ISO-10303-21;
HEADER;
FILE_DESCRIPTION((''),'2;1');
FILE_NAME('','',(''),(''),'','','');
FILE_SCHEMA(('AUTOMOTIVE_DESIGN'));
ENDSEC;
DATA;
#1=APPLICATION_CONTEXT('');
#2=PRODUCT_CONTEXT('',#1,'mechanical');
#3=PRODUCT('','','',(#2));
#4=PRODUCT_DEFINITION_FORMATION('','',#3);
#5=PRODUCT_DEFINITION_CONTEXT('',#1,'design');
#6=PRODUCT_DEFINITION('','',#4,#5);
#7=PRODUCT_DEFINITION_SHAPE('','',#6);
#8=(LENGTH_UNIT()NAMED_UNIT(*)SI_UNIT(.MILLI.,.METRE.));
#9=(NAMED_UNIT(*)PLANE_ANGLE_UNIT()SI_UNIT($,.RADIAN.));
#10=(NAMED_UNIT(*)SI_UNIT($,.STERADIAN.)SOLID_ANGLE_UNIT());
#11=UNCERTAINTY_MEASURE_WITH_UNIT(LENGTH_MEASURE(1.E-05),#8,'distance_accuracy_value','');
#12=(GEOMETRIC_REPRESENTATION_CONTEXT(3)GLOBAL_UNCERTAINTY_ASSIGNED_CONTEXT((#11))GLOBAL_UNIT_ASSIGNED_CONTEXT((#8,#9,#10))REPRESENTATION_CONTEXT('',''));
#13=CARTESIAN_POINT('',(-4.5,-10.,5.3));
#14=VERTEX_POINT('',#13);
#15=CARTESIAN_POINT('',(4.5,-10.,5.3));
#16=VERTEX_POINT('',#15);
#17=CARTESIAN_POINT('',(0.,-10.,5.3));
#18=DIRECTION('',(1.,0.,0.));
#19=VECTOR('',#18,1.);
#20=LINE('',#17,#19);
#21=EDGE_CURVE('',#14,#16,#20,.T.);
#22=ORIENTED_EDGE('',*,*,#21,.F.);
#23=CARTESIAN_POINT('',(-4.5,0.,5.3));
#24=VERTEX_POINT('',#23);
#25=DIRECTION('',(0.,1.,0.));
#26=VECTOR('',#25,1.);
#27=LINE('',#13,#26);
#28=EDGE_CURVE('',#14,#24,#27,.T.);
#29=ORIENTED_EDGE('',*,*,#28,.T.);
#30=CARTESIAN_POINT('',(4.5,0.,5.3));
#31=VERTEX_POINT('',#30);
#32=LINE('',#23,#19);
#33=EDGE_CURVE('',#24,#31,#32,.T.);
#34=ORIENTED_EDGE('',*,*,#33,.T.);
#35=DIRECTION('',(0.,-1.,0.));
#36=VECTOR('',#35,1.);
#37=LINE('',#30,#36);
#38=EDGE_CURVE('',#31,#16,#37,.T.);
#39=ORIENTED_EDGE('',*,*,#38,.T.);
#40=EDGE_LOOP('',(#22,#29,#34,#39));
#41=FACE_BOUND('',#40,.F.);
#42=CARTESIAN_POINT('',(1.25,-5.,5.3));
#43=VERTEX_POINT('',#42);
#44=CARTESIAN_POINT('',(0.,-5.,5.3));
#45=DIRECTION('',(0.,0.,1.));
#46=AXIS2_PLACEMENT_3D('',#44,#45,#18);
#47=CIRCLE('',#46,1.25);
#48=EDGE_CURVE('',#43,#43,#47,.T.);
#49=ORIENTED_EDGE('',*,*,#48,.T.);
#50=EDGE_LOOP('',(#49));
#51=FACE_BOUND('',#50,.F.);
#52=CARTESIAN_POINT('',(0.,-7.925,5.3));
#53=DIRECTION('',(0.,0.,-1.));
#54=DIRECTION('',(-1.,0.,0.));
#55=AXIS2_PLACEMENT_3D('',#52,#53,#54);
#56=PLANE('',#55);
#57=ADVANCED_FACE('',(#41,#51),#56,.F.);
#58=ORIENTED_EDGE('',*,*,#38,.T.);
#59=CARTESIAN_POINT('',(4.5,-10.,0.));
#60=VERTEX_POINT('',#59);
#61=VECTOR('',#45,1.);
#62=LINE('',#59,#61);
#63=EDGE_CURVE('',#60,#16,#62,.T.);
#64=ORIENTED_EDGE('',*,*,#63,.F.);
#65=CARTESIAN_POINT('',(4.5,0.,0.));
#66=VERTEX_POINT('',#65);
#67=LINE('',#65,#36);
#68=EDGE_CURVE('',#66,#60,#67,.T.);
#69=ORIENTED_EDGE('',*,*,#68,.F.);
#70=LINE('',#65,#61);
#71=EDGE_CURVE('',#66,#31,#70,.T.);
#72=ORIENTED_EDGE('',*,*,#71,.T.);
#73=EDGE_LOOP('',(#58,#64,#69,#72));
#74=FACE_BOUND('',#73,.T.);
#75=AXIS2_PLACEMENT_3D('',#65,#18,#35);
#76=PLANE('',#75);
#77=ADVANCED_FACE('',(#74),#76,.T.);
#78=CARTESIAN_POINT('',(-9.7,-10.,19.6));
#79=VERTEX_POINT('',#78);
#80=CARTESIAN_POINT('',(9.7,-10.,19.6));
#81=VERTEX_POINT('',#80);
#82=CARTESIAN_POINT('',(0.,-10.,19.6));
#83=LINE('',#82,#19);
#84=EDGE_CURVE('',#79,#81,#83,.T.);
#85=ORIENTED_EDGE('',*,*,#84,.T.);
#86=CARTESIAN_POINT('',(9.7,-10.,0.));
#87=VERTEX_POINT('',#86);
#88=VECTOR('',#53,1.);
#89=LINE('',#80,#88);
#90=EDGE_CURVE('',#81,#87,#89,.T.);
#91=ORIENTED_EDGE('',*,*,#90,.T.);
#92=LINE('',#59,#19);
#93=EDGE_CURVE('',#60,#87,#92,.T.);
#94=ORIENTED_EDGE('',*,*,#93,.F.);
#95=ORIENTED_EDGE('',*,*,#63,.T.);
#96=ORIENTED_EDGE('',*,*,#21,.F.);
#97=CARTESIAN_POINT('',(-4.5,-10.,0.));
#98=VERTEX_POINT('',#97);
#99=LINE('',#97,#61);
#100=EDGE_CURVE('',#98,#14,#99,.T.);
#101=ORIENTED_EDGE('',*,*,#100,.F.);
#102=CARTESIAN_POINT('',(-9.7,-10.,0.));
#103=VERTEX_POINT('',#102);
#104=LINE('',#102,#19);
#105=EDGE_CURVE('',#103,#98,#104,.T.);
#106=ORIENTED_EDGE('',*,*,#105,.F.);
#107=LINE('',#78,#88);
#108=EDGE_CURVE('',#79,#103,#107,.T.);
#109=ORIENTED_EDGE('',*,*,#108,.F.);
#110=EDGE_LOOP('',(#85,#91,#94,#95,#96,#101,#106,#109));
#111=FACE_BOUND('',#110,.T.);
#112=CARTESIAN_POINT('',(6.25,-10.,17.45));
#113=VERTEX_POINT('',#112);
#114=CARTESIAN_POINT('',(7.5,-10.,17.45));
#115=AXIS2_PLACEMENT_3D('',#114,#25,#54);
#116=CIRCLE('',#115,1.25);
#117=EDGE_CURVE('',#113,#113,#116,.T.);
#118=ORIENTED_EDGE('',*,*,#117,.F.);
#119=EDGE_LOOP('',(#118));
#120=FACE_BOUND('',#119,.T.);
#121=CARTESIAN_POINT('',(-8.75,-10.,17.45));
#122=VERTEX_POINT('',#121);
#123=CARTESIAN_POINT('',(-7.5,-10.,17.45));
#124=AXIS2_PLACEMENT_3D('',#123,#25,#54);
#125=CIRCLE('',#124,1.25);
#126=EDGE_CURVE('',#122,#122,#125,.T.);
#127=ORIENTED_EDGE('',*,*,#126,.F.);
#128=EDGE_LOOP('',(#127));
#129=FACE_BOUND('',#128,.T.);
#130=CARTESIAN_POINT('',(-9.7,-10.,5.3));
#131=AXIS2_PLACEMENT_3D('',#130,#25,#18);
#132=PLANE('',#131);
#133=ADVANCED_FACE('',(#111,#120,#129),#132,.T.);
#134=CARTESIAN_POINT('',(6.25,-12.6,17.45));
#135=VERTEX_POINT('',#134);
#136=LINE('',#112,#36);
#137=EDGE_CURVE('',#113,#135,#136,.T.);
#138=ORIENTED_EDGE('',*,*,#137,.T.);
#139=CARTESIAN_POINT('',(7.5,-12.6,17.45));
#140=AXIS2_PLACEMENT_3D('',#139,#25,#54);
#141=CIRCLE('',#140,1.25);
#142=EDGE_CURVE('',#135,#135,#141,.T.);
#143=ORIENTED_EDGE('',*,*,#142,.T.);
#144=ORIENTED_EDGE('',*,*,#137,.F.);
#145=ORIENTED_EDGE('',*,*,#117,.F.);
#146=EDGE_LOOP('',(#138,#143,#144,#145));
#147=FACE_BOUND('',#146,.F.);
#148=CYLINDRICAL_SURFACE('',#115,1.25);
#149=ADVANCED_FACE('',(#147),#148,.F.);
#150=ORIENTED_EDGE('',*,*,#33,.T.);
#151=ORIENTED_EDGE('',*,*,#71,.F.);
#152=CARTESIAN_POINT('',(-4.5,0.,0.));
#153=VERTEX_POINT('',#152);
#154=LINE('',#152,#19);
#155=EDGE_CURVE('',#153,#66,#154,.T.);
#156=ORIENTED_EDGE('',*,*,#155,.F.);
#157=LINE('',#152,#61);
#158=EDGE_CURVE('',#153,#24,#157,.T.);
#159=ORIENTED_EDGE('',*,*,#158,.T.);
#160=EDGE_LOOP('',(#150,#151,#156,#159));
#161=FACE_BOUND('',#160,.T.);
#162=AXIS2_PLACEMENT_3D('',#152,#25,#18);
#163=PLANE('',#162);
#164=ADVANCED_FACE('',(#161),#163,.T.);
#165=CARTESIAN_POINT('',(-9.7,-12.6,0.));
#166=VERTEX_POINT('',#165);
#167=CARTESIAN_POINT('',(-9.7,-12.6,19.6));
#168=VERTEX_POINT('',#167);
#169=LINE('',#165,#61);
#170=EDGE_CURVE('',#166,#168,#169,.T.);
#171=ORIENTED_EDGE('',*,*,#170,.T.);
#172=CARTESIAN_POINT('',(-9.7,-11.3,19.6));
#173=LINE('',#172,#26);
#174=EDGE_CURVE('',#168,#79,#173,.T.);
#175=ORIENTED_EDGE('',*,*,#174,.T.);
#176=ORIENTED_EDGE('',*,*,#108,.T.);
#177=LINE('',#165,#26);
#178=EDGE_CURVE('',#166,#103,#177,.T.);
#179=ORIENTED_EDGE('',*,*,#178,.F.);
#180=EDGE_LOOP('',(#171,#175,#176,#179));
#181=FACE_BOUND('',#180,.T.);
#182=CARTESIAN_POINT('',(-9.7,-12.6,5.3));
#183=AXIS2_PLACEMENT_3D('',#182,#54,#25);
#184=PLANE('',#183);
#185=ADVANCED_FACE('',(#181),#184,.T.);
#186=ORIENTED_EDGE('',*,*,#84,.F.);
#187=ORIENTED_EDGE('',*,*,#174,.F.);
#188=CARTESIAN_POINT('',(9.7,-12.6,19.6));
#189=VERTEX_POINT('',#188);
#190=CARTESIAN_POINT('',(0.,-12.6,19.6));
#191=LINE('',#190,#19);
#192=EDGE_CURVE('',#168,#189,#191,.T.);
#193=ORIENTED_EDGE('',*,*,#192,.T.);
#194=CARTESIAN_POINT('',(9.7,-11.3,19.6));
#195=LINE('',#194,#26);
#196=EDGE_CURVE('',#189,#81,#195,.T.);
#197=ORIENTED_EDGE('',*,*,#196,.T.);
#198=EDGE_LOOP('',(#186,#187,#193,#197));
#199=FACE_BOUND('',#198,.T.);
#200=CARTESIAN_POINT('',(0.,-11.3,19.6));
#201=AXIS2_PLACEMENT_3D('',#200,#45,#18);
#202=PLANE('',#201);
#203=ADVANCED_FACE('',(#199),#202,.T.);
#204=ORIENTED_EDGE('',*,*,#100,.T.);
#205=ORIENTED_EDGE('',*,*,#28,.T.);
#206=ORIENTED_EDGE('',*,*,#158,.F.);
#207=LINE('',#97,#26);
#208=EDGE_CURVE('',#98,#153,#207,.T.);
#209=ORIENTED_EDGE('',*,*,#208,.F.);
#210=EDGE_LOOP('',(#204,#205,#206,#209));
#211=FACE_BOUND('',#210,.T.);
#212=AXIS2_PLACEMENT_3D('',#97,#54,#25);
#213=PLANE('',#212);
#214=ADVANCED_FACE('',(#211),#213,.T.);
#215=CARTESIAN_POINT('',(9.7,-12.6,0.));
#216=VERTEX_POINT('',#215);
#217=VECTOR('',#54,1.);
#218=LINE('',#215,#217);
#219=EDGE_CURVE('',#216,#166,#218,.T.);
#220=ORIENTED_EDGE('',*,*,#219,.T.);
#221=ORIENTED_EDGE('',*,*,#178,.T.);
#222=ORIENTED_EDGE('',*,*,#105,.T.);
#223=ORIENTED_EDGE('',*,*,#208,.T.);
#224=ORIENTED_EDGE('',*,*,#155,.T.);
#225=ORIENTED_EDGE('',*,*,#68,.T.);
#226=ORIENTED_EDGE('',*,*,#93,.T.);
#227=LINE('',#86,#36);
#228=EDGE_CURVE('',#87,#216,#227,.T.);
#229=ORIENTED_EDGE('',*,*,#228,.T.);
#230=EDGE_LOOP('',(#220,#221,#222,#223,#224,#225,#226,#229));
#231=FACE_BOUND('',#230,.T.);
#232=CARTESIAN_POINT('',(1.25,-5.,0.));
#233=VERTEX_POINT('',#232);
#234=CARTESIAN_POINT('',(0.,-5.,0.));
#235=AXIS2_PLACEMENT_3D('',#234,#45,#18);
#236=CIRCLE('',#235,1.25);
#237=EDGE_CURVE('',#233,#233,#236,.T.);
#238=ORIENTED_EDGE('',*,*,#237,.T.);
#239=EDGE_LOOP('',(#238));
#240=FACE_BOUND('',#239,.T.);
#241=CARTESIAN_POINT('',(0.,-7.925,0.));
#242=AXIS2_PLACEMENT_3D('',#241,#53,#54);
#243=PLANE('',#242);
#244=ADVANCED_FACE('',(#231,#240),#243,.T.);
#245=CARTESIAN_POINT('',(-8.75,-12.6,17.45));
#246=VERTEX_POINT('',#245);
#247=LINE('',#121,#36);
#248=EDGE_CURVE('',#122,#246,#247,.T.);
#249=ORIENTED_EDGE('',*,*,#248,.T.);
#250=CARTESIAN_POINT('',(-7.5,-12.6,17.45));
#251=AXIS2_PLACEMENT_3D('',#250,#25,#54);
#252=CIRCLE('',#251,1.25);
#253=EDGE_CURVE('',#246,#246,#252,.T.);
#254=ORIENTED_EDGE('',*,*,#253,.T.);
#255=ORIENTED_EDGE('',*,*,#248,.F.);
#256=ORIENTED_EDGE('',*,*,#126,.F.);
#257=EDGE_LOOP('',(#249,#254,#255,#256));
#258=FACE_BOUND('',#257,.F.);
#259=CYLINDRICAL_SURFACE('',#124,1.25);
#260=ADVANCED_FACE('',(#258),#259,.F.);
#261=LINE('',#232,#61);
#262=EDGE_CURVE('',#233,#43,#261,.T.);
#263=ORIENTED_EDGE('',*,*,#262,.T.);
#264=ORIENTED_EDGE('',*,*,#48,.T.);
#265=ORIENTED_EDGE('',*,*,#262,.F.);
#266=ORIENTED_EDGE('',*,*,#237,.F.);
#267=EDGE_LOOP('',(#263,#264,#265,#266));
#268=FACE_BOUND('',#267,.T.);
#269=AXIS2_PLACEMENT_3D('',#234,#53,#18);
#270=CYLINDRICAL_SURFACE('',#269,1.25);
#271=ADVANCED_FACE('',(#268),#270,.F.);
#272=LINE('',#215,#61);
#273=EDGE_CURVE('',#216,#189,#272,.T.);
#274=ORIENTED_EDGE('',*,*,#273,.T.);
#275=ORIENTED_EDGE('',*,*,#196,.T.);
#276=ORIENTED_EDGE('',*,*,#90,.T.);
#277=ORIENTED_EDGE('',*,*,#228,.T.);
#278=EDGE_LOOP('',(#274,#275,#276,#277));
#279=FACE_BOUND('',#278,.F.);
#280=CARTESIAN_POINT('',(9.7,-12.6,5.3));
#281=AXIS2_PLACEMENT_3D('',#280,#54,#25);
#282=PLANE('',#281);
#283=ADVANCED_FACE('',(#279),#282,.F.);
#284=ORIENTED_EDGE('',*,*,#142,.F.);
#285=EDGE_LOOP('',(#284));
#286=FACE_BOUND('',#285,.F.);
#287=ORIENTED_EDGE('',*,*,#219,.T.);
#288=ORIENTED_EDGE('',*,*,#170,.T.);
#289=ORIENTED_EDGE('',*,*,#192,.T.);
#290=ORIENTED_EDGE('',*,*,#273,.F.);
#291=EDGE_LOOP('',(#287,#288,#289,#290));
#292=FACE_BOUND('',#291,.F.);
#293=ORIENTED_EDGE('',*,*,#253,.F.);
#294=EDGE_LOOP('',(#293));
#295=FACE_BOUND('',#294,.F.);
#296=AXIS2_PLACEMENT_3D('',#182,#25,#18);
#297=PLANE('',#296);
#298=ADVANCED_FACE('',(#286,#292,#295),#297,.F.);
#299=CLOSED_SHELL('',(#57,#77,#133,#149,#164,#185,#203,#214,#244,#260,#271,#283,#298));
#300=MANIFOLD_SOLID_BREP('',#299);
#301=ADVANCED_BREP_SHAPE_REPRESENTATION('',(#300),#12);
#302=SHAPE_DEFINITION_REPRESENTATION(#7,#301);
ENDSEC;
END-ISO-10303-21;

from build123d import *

# Parameters (mm, degrees)
SKETCH029_R     = 1.25
PAD017_DEPTH    = 5.3
SKETCH030_W     = 19.4
SKETCH030_H     = 2.6
PAD018_DEPTH    = 14.3
SKETCH031_R     = 1.25
POCKET009_DEPTH = 2.6


with BuildPart() as part:
    # Sketch029 → Pad017 (new body)
    with BuildSketch(Plane.XY):
        Polygon((-4.5, 0), (4.5, 0), (4.5, -10), (9.7, -10), (9.7, -12.6), (-9.7, -12.6), (-9.7, -10), (-4.5, -10), align=None)
        with Locations((0, -5)):
            Circle(SKETCH029_R, mode=Mode.SUBTRACT)
    extrude(amount=PAD017_DEPTH)

    # Sketch030 (on Face11 of Pad017) → Pad018 (join)
    with BuildSketch(Plane.XY.offset(5.3)):
        with Locations((0, -11.3)):
            Rectangle(SKETCH030_W, SKETCH030_H)
    extrude(amount=PAD018_DEPTH)

    # Sketch031 (on Face7 of Pad018) → Pocket009 (cut)
    with BuildSketch(Plane(origin=(0, -10, 0), x_dir=(-1, 0, 0), z_dir=(0, 1, 0))):
        with Locations((-7.5, 17.45)):
            Circle(SKETCH031_R)
        with Locations((7.5, 17.45)):
            Circle(SKETCH031_R)
    extrude(amount=-POCKET009_DEPTH, mode=Mode.SUBTRACT)


solid = part.part
